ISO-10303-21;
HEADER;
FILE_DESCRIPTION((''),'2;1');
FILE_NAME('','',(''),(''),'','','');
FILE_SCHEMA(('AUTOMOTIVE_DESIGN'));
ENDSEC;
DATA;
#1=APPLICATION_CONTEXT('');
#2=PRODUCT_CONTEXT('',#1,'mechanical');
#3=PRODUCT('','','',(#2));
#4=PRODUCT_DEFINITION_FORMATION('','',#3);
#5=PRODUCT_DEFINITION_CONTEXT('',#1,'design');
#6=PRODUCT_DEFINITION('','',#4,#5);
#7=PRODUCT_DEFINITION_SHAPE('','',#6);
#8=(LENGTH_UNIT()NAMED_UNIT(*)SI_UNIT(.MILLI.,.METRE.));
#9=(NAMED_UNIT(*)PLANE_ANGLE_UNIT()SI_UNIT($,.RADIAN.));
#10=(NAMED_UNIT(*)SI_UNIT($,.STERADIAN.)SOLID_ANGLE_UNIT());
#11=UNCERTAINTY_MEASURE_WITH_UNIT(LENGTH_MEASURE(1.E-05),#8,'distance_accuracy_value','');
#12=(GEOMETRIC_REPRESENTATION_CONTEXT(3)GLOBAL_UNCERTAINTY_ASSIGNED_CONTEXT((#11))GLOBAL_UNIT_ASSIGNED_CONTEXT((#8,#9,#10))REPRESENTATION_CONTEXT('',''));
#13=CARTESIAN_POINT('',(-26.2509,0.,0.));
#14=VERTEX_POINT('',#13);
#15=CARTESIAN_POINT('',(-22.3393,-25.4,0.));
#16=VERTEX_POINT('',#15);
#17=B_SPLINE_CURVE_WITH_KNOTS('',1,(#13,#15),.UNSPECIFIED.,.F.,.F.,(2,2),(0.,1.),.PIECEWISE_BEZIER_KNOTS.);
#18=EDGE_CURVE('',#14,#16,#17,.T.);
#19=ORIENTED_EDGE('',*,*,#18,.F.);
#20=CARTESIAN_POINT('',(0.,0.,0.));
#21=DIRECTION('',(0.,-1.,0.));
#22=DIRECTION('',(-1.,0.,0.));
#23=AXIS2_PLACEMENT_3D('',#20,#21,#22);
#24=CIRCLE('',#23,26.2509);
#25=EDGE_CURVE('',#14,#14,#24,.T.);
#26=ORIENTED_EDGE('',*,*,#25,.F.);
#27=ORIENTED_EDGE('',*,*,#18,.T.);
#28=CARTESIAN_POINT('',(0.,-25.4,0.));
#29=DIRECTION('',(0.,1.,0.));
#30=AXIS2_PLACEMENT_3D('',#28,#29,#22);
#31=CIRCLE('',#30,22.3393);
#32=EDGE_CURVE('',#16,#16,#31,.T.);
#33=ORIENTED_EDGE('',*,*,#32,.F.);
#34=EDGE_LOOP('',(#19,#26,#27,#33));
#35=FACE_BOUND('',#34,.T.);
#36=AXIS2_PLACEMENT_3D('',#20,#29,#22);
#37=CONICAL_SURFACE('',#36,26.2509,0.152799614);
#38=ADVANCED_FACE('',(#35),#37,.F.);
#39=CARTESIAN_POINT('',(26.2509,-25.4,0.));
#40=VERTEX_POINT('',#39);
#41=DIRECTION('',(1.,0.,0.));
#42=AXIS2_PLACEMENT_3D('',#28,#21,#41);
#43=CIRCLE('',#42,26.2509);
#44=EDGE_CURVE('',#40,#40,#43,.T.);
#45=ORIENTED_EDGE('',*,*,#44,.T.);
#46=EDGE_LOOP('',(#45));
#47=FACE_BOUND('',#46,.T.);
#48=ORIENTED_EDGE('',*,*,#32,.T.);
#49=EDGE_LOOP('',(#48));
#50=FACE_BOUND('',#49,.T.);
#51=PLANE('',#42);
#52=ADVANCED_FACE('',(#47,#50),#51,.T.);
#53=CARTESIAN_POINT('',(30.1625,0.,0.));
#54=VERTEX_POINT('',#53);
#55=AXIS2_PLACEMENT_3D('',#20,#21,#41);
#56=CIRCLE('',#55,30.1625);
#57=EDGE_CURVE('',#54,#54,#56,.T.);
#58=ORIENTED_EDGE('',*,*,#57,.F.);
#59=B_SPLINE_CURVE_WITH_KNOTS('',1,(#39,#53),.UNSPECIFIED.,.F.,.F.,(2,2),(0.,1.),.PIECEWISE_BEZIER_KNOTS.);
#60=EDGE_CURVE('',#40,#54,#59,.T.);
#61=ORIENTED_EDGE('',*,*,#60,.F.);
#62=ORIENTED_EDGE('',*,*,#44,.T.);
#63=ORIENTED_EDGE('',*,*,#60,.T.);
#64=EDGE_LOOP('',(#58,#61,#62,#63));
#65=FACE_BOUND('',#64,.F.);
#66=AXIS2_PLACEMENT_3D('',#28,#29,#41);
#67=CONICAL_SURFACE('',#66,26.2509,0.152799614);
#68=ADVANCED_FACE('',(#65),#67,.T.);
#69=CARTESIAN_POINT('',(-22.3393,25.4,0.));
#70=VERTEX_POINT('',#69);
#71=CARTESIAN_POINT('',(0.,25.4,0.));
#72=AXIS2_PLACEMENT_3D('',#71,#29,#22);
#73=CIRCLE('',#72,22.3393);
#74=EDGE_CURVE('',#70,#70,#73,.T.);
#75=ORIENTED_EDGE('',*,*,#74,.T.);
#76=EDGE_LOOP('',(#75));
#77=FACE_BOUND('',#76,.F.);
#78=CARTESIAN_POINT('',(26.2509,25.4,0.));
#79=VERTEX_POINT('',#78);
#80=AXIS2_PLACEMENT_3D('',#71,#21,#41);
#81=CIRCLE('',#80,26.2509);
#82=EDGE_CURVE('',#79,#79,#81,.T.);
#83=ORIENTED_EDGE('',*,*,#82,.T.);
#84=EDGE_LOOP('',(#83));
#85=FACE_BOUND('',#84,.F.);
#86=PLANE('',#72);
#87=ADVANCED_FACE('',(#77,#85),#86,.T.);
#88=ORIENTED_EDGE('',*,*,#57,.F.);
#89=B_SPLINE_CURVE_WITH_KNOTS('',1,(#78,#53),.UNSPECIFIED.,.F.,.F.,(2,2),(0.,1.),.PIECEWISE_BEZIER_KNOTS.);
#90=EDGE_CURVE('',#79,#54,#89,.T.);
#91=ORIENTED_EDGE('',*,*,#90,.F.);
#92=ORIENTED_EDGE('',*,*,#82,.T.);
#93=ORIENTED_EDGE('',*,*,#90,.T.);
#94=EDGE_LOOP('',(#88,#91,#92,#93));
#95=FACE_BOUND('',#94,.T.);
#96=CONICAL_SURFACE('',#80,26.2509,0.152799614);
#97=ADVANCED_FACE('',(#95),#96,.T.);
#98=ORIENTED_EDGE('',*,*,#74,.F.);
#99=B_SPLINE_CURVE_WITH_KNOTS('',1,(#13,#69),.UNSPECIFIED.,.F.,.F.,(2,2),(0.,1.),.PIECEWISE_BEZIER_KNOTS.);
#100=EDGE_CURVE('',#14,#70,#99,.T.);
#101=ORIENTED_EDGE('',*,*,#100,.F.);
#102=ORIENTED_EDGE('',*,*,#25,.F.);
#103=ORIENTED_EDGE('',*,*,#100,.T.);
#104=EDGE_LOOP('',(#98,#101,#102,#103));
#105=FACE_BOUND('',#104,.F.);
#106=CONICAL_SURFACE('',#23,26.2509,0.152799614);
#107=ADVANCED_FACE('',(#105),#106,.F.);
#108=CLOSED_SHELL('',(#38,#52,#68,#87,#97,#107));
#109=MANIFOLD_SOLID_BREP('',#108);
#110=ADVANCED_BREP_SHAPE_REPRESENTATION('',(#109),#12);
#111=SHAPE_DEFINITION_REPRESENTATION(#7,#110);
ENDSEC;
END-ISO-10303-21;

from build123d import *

# Parameters (mm, degrees)
F2_R = 26.2509
F0_R = 30.1625
F5_R = 26.2509
F4_R = 22.3393


with BuildPart() as f3:
    # F2 (on offset) → F3 section 0
    with BuildSketch(Plane.XZ.offset(25.4)):
        Circle(F2_R)
    # F0 (on Front) → F3 section 1
    with BuildSketch(Plane.XZ):
        Circle(F0_R)
    loft()

    # F5 (on face) → F6 section 0
    with BuildSketch(Plane(origin=(0, 0, 0), x_dir=(-1, 0, 0), z_dir=(0, 1, 0))):
        Circle(F5_R)
    # F4 (on face) → F6 section 1
    with BuildSketch(Plane.XZ.offset(25.4)):
        Circle(F4_R)
    loft(mode=Mode.SUBTRACT)

    # F7: F3 across face


with BuildPart() as f3_1:
    add(f3.part)
    add(f3.part.mirror(Plane(origin=(0, 0, 0), x_dir=(-1, 0, 0), z_dir=(0, 1, 0))))


solid = f3_1.part
